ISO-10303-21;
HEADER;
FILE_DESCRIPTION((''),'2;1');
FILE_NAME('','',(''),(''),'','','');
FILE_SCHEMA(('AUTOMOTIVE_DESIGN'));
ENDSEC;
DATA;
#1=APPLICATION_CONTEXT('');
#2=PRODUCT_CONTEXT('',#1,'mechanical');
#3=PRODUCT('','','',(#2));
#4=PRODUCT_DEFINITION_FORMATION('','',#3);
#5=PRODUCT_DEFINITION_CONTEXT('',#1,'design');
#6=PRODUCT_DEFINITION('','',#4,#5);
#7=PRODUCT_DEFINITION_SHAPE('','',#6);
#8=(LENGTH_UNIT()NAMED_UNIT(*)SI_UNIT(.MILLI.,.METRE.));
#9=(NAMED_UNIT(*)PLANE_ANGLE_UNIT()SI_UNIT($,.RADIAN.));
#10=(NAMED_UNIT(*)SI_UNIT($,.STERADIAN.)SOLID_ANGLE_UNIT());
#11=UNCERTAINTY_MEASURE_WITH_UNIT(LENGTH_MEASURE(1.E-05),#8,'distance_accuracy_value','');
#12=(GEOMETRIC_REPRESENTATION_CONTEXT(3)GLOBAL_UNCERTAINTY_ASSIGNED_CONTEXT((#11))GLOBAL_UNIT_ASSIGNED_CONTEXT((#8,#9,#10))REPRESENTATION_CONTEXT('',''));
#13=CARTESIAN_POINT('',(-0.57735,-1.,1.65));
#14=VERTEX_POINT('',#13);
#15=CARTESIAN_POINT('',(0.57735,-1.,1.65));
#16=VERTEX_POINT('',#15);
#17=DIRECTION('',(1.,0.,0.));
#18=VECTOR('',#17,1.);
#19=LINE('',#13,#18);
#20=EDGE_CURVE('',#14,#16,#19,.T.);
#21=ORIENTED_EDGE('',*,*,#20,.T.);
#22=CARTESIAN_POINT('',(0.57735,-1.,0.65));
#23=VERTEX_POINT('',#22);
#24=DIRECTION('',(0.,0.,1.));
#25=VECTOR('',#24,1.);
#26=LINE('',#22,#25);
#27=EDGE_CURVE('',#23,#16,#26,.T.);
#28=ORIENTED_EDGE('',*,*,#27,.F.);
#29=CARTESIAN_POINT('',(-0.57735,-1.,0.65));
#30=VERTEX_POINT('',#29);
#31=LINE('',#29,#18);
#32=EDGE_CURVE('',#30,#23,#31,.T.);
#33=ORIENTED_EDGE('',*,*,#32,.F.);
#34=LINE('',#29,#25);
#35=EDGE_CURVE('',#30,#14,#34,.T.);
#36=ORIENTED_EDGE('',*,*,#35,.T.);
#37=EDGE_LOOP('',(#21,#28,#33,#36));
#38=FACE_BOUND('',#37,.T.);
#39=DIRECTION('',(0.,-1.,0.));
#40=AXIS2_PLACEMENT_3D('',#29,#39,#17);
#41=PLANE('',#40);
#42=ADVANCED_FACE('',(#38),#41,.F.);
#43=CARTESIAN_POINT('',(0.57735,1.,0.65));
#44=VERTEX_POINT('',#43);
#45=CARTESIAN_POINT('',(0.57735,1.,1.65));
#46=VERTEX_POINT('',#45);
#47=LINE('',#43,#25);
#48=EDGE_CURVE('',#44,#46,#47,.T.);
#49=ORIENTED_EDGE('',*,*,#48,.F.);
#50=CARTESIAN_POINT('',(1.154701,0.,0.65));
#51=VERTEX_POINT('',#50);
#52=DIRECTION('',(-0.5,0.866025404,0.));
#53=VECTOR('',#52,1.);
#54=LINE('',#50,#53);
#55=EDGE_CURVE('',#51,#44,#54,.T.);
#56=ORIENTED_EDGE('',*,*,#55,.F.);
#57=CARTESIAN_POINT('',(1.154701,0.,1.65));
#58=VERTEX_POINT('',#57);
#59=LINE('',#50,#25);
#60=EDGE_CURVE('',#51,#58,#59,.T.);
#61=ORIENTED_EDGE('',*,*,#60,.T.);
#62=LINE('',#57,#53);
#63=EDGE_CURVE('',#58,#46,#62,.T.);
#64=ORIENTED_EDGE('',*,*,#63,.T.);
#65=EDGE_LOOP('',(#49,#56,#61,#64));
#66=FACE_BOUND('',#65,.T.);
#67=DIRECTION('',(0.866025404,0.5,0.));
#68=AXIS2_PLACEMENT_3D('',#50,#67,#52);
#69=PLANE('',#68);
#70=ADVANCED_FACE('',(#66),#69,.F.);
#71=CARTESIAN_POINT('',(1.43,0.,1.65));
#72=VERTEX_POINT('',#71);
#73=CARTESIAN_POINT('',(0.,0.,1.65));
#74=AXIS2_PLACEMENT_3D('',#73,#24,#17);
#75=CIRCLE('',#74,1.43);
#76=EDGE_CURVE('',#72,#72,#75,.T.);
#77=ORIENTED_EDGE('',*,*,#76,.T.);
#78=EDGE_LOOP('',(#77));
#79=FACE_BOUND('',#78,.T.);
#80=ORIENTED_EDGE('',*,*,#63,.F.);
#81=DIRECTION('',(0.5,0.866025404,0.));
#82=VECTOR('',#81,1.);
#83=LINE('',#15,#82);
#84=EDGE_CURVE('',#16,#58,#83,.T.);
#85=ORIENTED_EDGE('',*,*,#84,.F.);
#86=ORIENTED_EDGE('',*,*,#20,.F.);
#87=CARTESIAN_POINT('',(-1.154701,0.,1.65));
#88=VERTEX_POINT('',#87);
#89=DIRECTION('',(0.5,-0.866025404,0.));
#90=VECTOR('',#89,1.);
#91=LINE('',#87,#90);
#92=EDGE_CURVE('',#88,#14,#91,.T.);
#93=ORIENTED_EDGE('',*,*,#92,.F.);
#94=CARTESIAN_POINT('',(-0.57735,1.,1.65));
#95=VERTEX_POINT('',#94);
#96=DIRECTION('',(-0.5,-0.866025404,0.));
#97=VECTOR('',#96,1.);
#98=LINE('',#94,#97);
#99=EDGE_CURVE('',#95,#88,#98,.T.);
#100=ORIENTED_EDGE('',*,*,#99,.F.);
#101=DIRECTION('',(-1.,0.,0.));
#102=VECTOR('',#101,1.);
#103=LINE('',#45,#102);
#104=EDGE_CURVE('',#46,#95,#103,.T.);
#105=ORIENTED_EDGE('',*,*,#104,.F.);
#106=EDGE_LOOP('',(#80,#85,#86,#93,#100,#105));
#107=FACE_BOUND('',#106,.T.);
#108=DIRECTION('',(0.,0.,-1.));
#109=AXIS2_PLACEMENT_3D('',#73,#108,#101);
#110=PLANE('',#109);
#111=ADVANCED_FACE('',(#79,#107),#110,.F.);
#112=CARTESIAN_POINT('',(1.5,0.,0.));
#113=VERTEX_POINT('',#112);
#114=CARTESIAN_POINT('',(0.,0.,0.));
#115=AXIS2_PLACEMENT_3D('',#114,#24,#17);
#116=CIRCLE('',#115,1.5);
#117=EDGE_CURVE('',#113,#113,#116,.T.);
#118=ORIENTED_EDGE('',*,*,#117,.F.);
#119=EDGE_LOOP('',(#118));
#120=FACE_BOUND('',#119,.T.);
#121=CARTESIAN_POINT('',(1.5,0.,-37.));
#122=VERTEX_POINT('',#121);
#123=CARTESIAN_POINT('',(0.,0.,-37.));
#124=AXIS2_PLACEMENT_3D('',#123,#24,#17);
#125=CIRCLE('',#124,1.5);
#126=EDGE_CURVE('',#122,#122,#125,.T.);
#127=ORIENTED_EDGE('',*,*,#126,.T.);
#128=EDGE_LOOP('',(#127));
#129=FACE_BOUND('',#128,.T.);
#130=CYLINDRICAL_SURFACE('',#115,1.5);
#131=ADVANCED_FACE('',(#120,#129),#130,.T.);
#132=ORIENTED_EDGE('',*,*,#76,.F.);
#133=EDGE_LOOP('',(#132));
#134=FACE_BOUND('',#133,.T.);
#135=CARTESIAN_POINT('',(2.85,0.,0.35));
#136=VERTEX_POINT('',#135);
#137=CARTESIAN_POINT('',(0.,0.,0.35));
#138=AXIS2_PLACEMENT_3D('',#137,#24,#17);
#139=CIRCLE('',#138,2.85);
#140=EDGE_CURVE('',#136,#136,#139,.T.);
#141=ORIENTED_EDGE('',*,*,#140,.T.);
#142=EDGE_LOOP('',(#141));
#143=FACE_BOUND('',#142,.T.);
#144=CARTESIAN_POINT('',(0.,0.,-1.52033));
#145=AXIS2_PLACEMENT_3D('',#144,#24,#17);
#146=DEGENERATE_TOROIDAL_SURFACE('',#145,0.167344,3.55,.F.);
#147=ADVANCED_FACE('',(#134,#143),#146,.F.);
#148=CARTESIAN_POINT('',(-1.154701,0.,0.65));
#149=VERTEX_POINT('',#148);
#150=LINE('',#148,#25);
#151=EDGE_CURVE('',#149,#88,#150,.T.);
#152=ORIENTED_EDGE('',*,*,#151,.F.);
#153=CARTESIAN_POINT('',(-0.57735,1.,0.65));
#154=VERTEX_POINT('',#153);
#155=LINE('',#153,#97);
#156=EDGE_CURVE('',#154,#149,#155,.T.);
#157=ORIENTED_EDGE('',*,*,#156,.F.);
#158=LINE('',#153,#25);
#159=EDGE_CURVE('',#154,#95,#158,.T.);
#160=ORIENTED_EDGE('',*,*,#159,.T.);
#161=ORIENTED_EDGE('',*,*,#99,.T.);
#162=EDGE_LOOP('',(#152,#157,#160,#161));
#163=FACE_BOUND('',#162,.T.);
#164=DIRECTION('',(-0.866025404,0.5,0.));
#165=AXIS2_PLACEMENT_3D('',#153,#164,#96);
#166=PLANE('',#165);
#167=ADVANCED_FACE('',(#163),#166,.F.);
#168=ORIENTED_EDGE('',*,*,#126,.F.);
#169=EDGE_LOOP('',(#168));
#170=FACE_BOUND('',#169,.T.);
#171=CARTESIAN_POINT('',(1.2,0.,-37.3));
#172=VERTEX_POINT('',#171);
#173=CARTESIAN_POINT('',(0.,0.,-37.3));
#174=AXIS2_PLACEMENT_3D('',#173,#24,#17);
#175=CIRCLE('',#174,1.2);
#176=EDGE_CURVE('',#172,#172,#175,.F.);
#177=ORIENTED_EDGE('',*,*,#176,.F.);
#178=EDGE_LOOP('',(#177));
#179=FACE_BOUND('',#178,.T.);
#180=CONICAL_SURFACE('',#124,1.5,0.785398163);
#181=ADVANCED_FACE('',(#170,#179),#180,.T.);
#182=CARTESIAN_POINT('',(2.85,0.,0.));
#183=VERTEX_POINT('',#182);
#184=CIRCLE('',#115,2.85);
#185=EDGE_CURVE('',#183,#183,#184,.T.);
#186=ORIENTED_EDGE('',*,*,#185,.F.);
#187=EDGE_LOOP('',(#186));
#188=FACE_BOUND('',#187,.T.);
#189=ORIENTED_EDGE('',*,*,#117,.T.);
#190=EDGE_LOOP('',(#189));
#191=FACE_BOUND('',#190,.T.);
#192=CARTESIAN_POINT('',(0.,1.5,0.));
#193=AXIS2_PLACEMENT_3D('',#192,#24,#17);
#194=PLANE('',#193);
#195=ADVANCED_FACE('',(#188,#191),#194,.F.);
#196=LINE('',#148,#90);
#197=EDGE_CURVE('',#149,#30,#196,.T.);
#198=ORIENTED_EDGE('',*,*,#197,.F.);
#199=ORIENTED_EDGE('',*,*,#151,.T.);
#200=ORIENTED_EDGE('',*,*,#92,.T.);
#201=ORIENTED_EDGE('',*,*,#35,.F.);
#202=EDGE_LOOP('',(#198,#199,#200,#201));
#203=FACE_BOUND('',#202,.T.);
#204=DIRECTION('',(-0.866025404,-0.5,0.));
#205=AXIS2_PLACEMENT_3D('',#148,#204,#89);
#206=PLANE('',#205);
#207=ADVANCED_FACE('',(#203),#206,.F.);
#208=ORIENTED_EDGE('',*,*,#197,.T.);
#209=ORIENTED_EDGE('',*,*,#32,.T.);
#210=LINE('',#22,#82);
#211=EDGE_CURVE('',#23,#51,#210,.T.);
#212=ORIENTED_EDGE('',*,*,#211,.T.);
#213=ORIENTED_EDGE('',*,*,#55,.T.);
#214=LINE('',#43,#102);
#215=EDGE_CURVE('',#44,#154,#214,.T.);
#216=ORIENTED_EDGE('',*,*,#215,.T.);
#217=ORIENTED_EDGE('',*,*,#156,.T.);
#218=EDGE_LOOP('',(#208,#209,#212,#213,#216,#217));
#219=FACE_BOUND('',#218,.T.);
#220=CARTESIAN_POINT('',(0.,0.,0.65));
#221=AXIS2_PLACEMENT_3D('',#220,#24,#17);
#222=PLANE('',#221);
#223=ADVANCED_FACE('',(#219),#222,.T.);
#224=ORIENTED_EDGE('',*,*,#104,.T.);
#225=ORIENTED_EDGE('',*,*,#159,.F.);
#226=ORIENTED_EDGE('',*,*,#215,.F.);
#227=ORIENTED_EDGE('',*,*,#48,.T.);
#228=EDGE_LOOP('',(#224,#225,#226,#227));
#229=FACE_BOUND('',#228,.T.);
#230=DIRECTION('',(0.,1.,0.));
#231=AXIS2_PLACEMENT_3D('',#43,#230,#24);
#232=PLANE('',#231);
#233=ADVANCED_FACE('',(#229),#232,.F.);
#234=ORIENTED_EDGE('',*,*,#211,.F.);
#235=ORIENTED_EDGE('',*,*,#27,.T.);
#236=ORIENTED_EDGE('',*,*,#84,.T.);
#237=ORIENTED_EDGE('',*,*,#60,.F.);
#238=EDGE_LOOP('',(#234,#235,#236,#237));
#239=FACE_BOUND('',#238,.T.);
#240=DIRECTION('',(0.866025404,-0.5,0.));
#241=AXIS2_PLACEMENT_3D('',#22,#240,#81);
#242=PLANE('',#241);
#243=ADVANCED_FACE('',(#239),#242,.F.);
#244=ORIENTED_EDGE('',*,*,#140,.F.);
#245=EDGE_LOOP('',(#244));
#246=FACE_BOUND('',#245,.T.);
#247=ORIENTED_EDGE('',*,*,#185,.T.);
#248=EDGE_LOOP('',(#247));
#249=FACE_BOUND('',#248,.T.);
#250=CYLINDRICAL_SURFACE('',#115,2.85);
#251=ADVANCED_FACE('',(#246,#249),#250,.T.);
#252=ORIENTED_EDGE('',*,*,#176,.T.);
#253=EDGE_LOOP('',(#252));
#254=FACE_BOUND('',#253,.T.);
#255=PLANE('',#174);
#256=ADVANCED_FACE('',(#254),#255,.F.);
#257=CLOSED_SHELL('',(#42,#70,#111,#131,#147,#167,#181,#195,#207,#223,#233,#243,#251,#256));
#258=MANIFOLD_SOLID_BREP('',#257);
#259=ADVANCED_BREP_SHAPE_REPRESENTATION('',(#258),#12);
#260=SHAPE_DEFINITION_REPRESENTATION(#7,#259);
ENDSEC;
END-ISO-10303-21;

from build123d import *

# Parameters (mm, degrees)
CUT_EXTRUDE_1_DEPTH = 1
CHAMFER_2_SIZE      = 0.3


with BuildPart() as part:
    # 草图1 → 旋转1 (revolve)
    with BuildSketch(Plane(origin=(0, 0, 0), x_dir=(0, 0, -1), z_dir=(1, 0, 0)), mode=Mode.PRIVATE) as revolve_1_sk:
        with BuildLine():
            Line((0, 1.5), (0, 2.85))
            Line((0, 2.85), (-0.35, 2.85))
            ThreePointArc((-0.35, 2.85), (-1.098097646, 2.229807704), (-1.65, 1.43))
            Line((-1.65, 1.43), (-1.65, 0))
            Line((-1.65, 0), (0, 0))
            Line((0, 0), (37.3, 0))
            Line((37.3, 0), (37.3, 1.5))
            Line((37.3, 1.5), (0, 1.5))
        make_face()
    revolve(revolve_1_sk.sketch.rotate(Axis((0, 0, 0), (0, 0, -1)), 90), axis=Axis((0, 0, 0), (0, 0, -1)))

    # 草图2 → 切除-拉伸1 (cut)
    with BuildSketch(Plane.XY.offset(1.65)):
        Polygon((-0.577350269, 1), (-1.154700538, 0), (-0.577350269, -1), (0.577350269, -1), (1.154700538, 0), (0.577350269, 1), align=None)
    extrude(amount=-CUT_EXTRUDE_1_DEPTH, mode=Mode.SUBTRACT)

    # 倒角2
    chamfer_2_edges = [part.edges().sort_by_distance(p)[0] for p in [
        (-1.5, 0, -37.3),
    ]]
    chamfer(chamfer_2_edges, length=CHAMFER_2_SIZE)


solid = part.part
